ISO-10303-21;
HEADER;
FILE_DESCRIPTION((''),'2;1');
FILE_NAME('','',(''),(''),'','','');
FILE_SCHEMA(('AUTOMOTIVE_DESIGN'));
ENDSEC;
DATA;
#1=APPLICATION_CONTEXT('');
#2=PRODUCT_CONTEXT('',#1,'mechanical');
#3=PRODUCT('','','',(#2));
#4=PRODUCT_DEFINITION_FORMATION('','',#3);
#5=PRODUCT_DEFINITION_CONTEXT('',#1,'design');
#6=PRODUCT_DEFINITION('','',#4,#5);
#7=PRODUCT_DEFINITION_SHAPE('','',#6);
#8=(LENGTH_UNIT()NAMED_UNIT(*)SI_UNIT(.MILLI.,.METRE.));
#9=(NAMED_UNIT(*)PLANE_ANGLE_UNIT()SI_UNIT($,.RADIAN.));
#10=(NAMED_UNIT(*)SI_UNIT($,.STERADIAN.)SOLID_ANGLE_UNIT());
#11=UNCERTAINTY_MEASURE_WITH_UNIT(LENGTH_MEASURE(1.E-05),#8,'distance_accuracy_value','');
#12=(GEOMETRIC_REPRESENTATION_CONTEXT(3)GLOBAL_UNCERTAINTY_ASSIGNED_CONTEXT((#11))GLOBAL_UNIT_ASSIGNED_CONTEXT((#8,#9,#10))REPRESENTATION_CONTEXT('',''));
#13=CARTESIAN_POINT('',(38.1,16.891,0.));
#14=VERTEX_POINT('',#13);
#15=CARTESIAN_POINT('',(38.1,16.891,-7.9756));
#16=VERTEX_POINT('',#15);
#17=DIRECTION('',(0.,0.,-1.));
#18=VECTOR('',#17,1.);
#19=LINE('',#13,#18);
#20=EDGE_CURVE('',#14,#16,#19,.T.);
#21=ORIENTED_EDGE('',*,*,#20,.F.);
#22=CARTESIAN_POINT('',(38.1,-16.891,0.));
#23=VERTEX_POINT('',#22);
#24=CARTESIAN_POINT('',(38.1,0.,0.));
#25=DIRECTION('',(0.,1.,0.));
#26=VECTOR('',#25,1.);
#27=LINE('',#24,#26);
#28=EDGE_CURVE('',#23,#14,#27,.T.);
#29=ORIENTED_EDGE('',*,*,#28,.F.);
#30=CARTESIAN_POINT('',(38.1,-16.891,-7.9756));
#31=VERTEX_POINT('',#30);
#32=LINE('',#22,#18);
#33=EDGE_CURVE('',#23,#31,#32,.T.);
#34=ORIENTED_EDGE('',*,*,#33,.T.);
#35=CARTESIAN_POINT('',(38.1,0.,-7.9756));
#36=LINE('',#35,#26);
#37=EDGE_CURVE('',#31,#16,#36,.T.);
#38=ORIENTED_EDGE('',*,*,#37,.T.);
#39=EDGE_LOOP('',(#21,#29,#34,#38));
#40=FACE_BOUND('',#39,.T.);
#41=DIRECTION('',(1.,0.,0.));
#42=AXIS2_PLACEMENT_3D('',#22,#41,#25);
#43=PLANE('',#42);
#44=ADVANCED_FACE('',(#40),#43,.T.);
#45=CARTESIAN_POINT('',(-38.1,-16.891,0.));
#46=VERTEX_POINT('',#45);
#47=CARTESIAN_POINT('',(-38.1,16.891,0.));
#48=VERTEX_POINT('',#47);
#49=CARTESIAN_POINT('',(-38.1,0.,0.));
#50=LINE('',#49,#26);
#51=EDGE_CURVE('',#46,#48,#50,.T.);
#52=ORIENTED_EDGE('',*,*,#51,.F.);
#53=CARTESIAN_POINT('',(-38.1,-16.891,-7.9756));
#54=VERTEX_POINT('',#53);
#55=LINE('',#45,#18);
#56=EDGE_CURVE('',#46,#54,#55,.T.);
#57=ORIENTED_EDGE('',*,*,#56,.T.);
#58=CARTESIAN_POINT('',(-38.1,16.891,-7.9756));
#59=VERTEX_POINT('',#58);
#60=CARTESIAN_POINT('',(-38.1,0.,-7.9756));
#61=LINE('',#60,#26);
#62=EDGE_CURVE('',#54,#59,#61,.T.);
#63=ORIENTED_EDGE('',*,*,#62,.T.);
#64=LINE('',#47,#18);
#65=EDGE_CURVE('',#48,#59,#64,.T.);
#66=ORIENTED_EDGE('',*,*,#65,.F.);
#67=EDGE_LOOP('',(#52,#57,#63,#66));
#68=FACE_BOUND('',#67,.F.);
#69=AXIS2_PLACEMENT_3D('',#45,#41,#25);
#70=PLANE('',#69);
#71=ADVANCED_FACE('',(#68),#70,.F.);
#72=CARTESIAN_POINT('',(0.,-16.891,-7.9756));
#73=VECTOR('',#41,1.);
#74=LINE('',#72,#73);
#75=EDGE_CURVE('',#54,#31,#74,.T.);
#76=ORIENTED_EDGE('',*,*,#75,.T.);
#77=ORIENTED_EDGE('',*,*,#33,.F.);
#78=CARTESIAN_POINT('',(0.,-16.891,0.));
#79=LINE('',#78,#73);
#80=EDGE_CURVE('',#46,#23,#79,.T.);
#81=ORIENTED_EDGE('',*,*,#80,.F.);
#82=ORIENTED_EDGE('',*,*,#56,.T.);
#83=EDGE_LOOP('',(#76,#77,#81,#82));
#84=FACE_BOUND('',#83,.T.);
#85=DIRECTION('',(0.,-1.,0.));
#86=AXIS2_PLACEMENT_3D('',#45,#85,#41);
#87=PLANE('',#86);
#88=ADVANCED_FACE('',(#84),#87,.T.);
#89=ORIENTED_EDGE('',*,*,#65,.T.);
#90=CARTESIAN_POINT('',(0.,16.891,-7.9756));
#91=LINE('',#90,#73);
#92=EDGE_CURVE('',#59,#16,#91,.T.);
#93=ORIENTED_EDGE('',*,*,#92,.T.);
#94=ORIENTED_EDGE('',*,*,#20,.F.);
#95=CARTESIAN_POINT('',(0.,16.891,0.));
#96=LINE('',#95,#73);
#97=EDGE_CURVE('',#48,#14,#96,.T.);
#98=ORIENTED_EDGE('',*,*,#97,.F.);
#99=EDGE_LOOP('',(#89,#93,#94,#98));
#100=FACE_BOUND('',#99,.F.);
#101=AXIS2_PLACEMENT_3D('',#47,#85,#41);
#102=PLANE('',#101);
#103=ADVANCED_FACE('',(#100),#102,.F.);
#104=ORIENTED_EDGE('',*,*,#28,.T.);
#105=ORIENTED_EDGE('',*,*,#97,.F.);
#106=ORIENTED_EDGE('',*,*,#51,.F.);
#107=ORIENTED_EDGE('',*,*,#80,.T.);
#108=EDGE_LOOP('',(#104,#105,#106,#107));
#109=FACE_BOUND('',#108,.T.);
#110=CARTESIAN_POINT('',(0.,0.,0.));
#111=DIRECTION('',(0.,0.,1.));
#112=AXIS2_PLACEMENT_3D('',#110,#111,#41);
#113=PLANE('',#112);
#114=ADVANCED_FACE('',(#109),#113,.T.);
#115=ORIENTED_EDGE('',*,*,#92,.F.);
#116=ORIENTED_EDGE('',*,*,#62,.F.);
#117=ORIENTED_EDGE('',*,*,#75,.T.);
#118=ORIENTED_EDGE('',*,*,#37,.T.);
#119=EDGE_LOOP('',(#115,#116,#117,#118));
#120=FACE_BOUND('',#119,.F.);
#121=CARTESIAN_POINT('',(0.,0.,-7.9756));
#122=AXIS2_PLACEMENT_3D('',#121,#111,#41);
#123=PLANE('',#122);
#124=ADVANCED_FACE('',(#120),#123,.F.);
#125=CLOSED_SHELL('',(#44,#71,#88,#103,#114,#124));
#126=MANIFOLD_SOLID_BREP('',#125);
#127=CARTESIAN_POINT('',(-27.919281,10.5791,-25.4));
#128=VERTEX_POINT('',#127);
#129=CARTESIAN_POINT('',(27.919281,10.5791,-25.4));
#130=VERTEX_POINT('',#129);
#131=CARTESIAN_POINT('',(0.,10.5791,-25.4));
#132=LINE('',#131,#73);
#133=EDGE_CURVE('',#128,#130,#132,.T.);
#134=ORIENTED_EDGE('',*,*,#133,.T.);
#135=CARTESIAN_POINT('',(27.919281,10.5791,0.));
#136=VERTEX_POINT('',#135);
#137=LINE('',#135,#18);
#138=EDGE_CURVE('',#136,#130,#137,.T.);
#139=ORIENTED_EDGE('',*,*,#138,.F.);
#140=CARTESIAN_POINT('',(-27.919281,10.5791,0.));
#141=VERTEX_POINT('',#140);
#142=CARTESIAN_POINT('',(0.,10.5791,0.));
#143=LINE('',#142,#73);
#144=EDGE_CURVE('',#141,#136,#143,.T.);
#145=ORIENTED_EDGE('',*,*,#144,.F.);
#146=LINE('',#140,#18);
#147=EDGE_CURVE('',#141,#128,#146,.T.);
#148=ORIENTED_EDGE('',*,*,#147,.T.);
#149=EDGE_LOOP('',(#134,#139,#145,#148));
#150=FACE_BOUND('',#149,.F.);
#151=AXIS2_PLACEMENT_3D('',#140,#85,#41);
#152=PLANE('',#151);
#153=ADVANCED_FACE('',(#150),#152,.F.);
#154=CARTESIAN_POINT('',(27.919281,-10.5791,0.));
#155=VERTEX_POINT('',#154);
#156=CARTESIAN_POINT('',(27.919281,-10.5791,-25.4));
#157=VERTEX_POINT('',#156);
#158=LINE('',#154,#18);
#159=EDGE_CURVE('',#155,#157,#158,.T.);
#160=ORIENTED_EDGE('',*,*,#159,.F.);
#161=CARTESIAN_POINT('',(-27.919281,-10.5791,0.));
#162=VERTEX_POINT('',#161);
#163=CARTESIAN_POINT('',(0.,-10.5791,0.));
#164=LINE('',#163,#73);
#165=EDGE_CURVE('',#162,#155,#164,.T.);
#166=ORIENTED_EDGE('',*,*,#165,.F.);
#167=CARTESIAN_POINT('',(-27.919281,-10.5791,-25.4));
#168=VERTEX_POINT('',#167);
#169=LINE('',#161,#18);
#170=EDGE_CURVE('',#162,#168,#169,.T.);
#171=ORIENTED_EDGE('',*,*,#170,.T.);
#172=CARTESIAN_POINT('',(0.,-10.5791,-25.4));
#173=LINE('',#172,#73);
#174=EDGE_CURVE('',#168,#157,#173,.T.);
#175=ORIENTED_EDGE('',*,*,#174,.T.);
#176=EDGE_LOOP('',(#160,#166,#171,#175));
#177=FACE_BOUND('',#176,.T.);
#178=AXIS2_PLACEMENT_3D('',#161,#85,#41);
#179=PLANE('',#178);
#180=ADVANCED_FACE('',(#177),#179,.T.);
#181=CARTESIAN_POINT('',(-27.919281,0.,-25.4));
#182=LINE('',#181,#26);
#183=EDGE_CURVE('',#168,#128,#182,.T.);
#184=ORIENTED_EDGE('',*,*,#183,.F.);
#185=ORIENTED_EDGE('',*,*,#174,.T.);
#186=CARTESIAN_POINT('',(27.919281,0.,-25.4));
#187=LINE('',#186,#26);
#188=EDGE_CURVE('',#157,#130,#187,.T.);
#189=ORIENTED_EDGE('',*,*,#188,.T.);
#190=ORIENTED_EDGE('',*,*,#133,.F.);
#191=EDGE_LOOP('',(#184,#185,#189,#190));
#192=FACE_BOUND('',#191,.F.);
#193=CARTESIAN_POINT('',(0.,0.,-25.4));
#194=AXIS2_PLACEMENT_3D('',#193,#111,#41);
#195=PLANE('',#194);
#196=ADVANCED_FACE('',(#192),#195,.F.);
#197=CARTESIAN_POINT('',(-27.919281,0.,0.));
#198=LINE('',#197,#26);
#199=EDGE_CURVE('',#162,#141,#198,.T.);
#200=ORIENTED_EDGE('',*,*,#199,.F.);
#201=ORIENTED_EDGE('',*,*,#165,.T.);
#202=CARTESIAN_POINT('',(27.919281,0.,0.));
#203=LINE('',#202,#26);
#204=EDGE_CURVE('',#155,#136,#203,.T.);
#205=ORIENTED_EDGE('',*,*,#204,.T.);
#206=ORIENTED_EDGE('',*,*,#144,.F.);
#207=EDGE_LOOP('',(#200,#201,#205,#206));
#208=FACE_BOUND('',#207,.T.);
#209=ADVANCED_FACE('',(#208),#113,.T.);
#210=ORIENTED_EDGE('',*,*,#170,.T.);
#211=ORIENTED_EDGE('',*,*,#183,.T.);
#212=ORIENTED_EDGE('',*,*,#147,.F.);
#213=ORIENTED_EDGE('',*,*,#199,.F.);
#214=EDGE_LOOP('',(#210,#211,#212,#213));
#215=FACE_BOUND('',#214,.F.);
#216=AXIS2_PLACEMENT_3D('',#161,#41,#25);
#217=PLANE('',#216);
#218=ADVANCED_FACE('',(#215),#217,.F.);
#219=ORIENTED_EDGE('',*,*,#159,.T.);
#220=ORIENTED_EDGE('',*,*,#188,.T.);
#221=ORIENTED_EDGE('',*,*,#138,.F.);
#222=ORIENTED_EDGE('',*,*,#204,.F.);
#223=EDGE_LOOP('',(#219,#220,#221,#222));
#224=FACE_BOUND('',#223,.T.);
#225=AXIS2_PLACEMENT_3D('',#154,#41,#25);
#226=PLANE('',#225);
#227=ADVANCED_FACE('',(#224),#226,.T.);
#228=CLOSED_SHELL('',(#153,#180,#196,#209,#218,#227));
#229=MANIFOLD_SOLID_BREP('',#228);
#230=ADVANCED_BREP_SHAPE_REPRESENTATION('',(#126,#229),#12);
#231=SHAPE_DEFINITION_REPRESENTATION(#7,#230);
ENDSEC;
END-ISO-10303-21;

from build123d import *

# Parameters (mm, degrees)
F0_W     = 76.2
F0_H     = 33.782
F1_DEPTH = 7.9756
F2_W     = 55.838562
F2_H     = 21.1582
F3_DEPTH = 25.4


with BuildPart() as f1:
    # F0 (on Top) → F1 (new body)
    with BuildSketch(Plane.XY):
        Rectangle(F0_W, F0_H)
    extrude(amount=-F1_DEPTH)


with BuildPart() as f3:
    # F2 (on face) → F3 (new body)
    with BuildSketch(Plane.XY):
        Rectangle(F2_W, F2_H)
    extrude(amount=-F3_DEPTH)


solid = Compound([f1.part, f3.part])
